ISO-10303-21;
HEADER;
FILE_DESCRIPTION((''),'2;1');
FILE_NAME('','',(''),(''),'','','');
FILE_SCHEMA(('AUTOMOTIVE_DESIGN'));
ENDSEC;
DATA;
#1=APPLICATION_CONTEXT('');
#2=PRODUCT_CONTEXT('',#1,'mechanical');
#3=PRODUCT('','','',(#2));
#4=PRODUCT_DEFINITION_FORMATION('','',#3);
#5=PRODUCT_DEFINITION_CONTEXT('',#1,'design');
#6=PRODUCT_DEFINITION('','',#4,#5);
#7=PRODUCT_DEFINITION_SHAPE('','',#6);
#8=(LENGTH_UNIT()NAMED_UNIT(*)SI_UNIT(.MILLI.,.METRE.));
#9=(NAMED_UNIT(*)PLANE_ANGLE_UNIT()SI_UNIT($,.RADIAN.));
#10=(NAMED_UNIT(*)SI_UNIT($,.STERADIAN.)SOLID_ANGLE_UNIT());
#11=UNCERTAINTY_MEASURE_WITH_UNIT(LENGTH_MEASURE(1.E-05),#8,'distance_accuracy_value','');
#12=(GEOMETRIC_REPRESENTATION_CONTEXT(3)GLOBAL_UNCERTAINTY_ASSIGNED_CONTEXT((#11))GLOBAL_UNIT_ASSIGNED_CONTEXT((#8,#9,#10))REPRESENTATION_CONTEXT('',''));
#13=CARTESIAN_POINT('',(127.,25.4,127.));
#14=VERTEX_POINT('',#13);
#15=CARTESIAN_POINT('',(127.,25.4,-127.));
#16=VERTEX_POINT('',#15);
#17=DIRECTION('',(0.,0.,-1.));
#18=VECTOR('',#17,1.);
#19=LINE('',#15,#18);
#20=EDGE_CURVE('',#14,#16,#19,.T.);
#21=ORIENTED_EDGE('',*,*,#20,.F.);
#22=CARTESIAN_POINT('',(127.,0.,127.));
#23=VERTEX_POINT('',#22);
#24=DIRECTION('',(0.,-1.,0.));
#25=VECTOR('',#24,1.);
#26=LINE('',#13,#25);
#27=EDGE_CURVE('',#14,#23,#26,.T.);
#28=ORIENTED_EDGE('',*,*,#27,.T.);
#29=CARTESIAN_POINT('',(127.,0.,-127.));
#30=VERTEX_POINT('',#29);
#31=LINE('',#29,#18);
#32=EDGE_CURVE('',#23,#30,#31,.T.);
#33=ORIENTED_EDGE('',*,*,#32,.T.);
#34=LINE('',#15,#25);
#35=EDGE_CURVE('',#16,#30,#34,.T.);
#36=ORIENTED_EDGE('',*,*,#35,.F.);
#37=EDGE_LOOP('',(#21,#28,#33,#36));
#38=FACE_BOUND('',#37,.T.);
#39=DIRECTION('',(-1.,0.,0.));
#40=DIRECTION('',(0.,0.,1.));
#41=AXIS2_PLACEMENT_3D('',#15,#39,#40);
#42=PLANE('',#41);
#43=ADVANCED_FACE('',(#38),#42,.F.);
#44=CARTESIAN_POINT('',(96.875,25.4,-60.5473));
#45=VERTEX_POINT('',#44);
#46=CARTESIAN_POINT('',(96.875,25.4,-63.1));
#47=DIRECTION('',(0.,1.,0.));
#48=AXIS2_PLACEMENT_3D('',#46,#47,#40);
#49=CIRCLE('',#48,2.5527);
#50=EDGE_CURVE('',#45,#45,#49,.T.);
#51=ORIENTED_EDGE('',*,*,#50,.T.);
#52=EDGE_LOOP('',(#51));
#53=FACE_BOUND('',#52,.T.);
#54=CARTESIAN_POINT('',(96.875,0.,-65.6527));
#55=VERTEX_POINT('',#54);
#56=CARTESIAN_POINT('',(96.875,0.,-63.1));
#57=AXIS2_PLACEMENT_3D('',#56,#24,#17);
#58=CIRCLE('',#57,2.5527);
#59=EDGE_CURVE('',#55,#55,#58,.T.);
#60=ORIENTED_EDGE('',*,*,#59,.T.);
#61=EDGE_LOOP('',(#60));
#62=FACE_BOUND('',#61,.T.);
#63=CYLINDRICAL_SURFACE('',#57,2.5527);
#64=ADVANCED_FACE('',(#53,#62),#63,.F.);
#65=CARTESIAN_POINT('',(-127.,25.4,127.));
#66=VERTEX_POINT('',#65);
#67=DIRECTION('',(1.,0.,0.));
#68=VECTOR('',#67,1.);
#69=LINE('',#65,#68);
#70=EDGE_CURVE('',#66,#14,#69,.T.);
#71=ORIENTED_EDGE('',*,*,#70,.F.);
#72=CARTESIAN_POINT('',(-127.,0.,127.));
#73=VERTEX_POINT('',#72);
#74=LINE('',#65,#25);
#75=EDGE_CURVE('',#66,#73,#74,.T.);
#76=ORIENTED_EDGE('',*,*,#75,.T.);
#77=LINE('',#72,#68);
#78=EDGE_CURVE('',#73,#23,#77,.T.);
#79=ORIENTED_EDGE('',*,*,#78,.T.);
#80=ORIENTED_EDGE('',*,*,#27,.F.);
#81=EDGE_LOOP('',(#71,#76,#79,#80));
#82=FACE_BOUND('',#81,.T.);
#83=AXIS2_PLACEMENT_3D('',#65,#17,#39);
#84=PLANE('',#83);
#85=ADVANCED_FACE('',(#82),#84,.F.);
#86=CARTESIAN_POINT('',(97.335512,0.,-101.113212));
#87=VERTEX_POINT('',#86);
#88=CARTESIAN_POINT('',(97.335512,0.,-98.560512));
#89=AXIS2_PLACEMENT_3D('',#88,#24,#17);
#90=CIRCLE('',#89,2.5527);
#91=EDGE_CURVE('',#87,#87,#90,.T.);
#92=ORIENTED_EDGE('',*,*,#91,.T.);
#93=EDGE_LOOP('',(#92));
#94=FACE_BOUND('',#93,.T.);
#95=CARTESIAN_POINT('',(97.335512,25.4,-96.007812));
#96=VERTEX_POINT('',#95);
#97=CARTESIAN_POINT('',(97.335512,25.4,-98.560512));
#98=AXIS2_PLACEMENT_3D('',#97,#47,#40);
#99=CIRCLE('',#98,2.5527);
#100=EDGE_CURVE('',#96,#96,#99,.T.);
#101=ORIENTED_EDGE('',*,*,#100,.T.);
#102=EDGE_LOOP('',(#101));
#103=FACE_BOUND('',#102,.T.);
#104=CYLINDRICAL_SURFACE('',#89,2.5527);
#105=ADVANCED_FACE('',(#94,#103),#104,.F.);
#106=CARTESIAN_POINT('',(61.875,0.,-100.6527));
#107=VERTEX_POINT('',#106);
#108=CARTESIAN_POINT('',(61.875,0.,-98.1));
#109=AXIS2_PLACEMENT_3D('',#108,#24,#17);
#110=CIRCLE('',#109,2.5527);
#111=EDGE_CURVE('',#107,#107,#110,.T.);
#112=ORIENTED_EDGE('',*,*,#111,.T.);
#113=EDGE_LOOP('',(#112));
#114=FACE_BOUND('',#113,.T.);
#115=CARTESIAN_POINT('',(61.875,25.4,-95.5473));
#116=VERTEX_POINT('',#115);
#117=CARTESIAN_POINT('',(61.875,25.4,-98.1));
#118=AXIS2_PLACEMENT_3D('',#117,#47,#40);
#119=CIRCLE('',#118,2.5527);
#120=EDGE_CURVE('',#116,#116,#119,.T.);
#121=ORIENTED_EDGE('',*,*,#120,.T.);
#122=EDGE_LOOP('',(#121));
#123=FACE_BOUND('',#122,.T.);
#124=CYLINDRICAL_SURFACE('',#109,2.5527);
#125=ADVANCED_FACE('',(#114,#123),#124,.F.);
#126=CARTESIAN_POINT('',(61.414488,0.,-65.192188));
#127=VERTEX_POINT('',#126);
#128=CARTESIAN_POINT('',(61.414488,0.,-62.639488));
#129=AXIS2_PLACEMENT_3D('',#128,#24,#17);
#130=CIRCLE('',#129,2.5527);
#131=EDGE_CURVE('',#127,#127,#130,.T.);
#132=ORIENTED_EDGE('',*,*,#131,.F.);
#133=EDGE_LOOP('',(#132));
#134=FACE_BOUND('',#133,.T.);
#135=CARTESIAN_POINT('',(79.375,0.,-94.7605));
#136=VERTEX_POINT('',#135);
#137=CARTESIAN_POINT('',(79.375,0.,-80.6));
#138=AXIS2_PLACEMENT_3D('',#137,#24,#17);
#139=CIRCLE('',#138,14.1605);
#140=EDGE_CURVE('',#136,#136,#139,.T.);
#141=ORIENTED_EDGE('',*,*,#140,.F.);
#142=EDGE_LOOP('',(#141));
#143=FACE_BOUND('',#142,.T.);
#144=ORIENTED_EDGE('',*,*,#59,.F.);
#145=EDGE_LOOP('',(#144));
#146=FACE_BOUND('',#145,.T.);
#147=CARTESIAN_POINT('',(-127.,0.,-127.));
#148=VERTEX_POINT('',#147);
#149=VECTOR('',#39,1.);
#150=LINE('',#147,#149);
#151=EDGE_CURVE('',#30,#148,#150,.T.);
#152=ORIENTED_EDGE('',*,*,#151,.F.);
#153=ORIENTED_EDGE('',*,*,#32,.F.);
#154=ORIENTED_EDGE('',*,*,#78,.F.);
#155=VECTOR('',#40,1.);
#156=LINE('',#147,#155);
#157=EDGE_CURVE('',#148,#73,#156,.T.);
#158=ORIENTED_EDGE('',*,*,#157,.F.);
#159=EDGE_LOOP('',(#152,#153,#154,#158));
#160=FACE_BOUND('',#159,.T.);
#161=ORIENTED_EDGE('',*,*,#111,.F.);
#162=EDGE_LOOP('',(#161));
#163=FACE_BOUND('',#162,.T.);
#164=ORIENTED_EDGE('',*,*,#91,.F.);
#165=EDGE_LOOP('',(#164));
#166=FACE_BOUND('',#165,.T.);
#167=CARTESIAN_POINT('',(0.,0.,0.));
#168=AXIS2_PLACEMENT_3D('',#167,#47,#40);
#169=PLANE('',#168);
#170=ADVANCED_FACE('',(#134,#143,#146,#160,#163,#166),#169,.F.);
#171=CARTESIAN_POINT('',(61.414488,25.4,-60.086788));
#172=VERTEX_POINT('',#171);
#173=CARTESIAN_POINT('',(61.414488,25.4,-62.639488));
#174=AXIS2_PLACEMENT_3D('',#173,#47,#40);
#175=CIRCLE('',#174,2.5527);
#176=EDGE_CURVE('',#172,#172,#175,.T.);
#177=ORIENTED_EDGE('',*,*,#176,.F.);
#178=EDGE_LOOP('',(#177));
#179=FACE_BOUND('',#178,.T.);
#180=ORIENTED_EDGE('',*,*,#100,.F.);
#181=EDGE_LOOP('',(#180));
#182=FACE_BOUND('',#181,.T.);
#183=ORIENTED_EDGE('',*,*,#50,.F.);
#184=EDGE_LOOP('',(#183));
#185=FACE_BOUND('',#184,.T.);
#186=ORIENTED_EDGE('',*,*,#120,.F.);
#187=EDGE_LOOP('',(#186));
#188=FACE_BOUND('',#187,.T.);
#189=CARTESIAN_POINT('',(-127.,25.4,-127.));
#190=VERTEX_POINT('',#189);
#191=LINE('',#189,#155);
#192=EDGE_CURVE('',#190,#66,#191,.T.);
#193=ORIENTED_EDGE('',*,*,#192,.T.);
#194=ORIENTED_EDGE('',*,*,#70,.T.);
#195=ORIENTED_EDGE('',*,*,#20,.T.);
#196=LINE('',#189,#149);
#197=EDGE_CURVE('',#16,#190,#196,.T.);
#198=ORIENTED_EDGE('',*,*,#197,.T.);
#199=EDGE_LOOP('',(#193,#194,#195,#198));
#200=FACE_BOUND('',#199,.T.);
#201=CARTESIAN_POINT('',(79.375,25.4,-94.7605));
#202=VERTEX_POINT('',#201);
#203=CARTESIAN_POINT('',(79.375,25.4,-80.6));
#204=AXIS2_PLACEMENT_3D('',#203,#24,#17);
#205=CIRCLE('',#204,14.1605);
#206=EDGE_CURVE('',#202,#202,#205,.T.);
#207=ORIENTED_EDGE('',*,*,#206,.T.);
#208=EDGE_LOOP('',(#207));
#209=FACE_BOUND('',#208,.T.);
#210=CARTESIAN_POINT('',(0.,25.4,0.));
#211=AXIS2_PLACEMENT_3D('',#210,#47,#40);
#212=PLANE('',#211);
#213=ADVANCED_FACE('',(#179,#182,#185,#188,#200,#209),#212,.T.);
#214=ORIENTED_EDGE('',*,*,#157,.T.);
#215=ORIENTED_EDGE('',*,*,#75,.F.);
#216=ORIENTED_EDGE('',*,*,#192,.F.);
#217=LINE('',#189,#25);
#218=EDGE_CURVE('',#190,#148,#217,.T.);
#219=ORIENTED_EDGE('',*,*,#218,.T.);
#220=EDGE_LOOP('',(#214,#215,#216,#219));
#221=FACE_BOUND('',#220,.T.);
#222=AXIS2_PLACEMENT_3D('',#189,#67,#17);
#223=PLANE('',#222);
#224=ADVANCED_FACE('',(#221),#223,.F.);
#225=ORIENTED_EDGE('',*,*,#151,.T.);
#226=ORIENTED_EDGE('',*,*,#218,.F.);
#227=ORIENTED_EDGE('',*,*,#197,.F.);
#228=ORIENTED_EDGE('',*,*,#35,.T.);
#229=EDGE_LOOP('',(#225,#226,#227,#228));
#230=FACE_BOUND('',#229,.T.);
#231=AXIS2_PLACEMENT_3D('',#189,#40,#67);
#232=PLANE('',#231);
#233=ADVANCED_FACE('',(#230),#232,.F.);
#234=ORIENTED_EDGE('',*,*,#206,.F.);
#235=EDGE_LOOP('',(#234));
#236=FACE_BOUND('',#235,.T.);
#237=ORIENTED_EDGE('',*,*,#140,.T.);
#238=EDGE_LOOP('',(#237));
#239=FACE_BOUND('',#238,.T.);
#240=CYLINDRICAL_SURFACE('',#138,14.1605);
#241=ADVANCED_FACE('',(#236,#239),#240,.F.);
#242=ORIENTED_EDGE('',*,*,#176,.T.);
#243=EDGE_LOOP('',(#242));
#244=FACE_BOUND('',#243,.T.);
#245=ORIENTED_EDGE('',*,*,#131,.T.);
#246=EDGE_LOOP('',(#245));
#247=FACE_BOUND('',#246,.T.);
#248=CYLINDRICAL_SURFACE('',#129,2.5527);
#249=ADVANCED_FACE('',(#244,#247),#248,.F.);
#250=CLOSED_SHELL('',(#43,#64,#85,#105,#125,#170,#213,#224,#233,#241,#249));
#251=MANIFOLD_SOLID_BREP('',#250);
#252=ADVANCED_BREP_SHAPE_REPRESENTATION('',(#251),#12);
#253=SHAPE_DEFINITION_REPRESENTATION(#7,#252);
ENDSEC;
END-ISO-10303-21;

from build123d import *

# Parameters (mm, degrees)
SKETCH1_W               = 254
SKETCH1_H               = 254
BOSS_EXTRUDE1_DEPTH     = 25.4
F_10_CLEARANCE_HOLE1_D  = 5.1054
F_1_1_115_DOWEL_HOLE1_D = 28.321


with BuildPart() as part:
    # Sketch1 → Boss-Extrude1 (new body)
    with BuildSketch(Plane(origin=(0, 0, 0), x_dir=(1, 0, 0), z_dir=(0, 1, 0))):
        Rectangle(SKETCH1_W, SKETCH1_H)
    extrude(amount=BOSS_EXTRUDE1_DEPTH)

    # #10 Clearance Hole1 (through all)
    with Locations(Plane(origin=(0, 0, 0), x_dir=(-1, 0, 0), z_dir=(0, -1, 0))):
        with Locations((-61.414487758, 62.639487758), (-97.335512242, 98.560512242), (-61.875, 98.1), (-96.875, 63.1)):
            Hole(F_10_CLEARANCE_HOLE1_D / 2)

    # 1 (1.115) Dowel Hole1 (through all)
    with Locations(Plane(origin=(0, 0, 0), x_dir=(-1, 0, 0), z_dir=(0, -1, 0))):
        with Locations((-79.375, 80.6)):
            Hole(F_1_1_115_DOWEL_HOLE1_D / 2)


solid = part.part
